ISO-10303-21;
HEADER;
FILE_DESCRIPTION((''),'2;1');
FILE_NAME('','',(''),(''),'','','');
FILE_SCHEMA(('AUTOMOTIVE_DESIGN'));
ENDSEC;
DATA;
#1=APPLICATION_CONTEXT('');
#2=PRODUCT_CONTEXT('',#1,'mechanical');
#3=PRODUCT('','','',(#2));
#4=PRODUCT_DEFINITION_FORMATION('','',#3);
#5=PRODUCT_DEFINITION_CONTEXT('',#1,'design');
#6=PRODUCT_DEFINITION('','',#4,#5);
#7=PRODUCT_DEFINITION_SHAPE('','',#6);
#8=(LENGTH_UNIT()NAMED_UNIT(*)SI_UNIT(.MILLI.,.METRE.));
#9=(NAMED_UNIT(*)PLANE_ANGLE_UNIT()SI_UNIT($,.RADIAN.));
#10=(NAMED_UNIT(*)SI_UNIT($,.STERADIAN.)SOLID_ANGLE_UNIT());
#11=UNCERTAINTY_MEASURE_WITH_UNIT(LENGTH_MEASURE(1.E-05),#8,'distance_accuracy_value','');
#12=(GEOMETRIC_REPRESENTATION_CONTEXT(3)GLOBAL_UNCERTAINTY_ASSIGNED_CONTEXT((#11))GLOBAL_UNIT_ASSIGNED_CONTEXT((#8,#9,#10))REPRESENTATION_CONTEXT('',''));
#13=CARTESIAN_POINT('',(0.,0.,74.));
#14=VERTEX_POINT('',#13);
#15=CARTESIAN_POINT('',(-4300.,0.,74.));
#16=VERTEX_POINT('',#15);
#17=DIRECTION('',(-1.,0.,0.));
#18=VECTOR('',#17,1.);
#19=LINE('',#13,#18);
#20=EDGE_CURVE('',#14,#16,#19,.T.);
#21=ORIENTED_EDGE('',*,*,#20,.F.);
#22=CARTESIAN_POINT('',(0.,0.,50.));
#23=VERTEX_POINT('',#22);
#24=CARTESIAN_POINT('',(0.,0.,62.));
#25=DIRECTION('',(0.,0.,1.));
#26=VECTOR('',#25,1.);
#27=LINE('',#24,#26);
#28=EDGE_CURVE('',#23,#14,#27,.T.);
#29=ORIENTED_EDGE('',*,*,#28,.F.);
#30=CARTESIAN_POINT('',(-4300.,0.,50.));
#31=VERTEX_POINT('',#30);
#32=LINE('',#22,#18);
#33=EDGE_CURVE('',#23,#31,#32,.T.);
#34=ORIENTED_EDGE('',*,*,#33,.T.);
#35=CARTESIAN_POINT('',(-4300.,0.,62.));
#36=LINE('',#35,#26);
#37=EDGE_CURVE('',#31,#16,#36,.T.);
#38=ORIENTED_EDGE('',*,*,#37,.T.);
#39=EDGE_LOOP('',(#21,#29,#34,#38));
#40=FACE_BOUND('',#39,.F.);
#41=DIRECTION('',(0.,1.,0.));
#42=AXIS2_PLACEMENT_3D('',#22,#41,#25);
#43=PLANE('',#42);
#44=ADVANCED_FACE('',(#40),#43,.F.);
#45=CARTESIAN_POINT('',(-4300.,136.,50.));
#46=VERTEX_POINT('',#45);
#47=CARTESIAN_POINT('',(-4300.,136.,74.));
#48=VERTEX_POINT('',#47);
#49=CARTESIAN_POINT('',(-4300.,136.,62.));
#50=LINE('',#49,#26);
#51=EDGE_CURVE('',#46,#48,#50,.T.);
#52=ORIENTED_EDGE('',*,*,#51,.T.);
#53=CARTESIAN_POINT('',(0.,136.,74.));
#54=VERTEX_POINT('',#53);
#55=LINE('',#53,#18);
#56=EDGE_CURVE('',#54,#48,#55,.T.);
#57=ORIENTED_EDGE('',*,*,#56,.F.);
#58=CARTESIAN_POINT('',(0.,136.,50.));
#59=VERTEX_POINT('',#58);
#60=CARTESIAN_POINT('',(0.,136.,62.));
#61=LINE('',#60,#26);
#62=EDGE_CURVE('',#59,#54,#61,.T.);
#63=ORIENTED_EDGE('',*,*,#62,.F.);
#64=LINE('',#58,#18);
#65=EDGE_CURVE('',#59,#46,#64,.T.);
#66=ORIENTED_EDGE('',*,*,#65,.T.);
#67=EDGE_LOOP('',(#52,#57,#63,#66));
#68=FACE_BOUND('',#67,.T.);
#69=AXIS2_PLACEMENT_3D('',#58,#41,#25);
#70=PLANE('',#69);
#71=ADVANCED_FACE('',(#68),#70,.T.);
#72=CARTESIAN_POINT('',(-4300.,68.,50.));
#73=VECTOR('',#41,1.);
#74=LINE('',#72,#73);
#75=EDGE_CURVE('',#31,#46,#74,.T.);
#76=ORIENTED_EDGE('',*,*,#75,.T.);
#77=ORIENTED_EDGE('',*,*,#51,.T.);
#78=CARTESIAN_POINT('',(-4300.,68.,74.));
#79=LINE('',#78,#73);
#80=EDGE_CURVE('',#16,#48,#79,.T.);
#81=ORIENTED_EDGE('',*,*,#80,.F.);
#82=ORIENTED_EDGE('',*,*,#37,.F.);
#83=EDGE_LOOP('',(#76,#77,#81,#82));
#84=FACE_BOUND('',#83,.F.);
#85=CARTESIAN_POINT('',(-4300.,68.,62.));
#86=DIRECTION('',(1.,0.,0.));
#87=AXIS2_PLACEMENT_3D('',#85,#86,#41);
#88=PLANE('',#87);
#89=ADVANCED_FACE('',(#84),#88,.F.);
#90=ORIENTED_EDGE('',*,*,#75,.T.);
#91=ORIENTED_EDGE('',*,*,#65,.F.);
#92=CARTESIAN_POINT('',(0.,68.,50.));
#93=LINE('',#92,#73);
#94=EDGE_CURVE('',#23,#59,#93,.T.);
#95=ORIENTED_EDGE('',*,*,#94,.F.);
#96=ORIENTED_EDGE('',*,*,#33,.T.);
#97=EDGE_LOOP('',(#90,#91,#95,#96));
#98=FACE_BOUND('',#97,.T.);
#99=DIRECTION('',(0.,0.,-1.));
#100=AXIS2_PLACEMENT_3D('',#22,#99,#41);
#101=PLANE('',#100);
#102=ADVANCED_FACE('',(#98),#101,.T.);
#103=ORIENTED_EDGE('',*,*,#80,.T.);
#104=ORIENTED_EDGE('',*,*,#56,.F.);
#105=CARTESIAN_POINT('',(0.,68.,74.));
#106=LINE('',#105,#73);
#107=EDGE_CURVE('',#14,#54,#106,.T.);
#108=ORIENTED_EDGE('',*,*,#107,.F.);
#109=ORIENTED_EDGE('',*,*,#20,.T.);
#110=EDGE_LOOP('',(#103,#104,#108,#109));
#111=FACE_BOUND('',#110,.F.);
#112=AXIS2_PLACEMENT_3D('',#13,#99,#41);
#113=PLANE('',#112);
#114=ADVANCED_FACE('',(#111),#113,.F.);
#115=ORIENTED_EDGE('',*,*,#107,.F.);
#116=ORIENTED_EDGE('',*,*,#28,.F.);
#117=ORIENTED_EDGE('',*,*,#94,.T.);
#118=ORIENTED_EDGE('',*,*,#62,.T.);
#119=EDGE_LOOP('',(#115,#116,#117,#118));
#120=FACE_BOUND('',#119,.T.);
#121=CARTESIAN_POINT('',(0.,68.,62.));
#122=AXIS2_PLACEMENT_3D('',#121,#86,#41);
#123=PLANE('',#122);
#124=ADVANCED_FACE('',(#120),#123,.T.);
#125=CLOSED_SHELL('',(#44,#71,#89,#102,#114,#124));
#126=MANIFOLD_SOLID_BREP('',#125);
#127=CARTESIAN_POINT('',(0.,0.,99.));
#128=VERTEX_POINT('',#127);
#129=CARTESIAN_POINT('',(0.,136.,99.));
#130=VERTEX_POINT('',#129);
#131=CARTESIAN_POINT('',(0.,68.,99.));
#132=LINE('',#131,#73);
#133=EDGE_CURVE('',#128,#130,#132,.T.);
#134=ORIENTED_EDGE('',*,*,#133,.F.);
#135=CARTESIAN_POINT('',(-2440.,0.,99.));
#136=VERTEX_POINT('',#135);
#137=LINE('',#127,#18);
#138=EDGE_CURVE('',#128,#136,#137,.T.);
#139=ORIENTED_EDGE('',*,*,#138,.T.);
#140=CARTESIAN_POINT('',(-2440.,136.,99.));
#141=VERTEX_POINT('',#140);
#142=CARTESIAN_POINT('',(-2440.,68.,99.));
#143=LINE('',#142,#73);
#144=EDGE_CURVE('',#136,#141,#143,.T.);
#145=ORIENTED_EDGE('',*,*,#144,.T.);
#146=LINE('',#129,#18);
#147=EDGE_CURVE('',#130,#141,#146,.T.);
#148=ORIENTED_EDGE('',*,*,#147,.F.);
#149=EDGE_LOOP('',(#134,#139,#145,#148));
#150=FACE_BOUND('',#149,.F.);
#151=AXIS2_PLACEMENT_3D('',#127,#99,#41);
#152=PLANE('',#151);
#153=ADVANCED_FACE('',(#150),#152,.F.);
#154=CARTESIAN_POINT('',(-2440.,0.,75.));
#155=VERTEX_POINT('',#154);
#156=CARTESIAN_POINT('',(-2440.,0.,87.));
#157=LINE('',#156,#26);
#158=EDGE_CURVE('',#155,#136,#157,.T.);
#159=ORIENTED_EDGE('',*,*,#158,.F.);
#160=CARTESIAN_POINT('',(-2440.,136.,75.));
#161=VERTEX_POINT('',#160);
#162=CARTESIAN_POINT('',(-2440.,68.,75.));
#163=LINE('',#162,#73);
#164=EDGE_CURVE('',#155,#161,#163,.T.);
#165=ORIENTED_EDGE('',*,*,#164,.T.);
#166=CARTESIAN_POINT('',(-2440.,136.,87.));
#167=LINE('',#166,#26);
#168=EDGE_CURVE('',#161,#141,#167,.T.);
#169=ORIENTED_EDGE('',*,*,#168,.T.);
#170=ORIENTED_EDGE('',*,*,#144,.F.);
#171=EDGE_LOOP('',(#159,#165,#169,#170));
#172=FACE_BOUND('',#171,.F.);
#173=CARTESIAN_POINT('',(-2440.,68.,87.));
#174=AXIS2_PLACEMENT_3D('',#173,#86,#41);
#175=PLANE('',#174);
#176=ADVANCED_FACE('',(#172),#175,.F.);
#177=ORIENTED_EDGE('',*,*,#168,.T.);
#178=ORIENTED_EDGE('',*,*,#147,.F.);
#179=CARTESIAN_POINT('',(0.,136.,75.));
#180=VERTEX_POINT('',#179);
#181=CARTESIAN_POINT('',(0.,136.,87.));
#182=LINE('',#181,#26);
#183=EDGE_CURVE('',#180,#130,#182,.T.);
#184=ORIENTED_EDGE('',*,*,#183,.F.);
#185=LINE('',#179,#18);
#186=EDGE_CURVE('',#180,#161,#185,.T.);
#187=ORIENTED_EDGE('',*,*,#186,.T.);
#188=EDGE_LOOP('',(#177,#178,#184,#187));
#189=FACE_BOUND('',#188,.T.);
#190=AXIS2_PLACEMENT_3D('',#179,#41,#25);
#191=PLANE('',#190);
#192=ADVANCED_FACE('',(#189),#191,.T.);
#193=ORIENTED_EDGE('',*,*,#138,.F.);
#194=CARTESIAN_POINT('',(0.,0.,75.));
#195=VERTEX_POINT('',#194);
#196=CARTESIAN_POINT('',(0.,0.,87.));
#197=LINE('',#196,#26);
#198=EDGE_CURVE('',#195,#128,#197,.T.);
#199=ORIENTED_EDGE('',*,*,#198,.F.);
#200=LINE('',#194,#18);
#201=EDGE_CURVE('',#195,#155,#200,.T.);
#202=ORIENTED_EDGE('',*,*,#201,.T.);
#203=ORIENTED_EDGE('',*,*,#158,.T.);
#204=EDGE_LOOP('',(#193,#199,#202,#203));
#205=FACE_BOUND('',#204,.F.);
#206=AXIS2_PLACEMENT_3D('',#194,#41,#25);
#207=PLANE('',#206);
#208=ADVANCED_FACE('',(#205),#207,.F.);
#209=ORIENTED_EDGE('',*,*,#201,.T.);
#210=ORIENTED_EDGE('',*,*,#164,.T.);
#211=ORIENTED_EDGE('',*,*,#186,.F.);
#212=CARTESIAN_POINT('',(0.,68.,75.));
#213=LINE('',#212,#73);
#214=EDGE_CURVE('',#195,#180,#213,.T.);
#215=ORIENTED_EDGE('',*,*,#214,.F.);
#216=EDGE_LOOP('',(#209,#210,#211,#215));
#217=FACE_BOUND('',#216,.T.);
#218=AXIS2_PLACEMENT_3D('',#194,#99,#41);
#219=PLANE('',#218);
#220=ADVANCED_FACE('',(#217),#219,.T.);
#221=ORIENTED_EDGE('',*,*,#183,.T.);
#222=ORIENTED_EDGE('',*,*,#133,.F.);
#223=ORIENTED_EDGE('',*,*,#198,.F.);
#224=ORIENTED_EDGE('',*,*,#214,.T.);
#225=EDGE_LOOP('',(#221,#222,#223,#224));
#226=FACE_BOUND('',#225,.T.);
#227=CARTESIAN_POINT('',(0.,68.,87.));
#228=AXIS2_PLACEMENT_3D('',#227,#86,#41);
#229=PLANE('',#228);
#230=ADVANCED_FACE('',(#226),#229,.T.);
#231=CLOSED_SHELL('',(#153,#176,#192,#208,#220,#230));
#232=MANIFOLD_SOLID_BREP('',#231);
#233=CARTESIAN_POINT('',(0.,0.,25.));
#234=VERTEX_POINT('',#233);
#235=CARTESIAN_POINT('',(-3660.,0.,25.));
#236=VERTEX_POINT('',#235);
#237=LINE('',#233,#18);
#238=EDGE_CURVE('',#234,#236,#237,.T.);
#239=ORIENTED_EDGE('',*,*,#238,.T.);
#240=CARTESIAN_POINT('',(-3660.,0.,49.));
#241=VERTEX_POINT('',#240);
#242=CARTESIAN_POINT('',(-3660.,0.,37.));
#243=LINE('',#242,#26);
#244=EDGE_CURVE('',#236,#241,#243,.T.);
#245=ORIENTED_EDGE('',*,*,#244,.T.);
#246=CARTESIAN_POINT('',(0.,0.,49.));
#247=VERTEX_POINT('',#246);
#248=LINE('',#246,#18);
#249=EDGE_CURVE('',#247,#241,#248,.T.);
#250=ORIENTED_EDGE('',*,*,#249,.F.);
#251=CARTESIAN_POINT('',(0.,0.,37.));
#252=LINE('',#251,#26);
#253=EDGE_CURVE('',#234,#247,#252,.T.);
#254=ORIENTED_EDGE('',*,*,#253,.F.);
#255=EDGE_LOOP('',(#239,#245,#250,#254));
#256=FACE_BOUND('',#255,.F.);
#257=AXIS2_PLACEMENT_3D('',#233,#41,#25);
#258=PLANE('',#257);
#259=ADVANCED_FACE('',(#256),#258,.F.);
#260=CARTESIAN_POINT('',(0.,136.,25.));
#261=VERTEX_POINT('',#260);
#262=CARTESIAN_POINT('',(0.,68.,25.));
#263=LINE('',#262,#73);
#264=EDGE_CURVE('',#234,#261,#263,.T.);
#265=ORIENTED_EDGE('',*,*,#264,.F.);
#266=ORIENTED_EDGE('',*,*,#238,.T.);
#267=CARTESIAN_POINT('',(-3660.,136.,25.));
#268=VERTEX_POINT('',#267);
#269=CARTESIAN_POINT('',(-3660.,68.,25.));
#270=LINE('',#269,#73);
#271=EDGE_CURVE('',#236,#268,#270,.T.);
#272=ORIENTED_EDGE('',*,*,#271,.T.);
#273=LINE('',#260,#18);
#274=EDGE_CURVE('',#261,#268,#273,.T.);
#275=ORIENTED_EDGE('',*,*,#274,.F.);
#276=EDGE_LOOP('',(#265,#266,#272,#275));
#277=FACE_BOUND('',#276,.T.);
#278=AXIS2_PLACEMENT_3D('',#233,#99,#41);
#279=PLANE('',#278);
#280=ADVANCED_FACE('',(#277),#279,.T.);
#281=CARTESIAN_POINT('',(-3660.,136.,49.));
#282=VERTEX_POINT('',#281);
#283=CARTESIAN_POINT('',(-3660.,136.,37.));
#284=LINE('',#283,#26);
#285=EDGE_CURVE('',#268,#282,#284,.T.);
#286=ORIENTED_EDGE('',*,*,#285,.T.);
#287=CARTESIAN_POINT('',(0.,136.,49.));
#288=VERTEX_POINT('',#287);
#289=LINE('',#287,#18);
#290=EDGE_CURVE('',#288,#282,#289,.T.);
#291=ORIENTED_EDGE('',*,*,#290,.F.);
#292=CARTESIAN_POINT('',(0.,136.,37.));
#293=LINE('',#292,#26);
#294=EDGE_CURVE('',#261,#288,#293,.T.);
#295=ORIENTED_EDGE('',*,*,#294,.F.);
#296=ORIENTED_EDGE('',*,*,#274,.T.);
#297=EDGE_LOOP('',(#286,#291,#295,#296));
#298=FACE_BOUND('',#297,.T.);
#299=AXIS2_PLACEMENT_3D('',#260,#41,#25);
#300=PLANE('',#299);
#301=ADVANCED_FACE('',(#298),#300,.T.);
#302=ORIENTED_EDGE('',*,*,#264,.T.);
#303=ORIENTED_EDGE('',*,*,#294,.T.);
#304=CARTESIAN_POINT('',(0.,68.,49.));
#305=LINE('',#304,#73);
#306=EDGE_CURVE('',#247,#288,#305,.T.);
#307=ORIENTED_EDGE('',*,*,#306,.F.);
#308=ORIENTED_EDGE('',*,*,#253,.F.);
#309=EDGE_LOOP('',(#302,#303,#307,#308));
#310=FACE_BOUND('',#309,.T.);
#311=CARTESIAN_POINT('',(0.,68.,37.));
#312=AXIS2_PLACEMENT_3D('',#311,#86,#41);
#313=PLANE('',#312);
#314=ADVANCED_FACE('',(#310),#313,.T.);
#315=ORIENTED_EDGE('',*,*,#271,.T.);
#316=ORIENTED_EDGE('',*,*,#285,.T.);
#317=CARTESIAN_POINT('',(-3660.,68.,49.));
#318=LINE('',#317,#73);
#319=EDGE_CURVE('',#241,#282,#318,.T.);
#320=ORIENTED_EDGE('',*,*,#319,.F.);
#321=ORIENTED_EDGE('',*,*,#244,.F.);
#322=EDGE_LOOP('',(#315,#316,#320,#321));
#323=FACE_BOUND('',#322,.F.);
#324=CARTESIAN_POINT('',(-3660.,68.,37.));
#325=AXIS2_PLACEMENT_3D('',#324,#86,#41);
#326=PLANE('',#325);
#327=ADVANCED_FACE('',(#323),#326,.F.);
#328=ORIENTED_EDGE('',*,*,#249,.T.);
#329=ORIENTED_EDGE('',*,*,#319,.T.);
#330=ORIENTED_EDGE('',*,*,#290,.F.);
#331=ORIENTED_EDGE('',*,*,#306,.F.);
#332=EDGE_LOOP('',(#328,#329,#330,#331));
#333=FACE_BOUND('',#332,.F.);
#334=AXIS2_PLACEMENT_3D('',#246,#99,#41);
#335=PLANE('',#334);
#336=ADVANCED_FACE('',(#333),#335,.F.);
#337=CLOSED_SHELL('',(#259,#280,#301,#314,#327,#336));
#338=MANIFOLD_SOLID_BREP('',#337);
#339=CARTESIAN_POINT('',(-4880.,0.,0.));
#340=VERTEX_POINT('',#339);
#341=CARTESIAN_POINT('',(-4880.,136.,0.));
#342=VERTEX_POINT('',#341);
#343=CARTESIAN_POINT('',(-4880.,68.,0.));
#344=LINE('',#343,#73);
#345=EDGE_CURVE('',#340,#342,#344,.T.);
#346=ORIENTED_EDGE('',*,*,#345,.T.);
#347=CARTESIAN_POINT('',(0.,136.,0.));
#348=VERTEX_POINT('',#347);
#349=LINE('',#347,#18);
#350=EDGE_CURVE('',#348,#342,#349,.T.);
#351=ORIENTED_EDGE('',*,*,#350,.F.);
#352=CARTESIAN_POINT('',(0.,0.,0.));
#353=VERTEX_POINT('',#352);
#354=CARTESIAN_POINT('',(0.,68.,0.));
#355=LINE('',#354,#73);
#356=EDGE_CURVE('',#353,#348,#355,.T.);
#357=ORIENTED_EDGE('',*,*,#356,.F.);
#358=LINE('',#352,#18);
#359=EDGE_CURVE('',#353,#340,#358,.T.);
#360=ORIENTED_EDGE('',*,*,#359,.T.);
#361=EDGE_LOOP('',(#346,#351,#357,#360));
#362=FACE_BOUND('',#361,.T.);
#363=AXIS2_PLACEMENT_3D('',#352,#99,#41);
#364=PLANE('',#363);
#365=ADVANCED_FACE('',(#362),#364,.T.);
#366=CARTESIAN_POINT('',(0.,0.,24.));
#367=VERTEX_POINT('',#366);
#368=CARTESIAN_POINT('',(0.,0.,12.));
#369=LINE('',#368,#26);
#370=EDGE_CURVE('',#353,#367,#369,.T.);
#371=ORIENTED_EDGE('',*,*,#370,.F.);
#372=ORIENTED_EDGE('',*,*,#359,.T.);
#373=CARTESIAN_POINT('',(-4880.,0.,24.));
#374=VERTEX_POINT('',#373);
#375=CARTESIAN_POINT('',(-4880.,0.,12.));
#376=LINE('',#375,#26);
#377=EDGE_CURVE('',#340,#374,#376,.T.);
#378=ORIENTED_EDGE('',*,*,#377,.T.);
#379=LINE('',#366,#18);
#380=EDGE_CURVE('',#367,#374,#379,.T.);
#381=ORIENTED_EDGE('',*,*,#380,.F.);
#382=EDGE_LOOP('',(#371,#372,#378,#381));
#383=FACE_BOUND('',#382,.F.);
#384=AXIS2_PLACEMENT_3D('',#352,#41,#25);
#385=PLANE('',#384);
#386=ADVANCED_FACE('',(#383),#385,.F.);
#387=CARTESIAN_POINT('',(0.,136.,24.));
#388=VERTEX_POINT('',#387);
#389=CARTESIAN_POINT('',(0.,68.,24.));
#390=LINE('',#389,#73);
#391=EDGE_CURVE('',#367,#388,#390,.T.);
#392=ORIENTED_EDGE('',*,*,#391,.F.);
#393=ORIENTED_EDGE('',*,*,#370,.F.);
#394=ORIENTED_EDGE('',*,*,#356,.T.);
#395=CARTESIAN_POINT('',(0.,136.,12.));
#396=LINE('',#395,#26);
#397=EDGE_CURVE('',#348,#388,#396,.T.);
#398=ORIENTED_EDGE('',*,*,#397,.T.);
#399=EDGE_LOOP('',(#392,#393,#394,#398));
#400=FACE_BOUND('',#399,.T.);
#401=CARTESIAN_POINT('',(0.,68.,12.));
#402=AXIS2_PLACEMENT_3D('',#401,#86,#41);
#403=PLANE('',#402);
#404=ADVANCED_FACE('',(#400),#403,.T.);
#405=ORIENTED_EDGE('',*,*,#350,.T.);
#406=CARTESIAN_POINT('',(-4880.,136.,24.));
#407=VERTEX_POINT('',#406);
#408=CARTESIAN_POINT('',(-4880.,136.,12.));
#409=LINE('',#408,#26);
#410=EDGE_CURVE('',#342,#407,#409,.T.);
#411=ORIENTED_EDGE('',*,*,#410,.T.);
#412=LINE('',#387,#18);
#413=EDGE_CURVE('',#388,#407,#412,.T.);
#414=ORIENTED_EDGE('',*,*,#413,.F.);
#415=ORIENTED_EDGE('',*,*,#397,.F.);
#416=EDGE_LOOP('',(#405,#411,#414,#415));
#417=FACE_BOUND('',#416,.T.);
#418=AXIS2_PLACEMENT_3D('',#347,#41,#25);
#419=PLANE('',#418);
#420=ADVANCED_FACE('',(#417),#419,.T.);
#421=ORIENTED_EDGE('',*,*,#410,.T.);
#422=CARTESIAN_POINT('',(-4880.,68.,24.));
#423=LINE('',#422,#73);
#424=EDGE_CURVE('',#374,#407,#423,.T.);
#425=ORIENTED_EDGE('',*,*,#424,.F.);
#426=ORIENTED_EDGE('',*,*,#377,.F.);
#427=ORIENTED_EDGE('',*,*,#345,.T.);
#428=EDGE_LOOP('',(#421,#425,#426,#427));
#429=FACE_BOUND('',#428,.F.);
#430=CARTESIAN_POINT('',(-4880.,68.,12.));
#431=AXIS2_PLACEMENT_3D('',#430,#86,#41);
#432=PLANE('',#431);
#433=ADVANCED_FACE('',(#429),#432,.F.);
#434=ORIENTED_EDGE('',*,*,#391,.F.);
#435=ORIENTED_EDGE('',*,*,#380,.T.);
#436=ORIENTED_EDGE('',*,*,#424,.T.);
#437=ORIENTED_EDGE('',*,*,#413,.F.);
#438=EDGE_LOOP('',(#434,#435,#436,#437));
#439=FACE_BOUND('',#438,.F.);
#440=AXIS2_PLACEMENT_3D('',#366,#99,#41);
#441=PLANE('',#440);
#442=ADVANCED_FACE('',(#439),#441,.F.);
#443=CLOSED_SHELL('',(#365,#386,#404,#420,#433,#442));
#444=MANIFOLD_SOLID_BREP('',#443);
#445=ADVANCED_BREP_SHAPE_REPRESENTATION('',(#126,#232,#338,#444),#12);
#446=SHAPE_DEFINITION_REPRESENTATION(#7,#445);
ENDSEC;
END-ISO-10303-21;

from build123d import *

# Parameters (mm, degrees)
F0_W     = 136
F0_H     = 24
F1_DEPTH = 4880
F2_DEPTH = 3660
F3_DEPTH = 4300
F4_DEPTH = 2440


with BuildPart() as f1:
    # F0 (on Right) → F1 (new body)
    with BuildSketch(Plane.YZ):
        with Locations((68, 12)):
            Rectangle(F0_W, F0_H)
    extrude(amount=-F1_DEPTH)


with BuildPart() as f2:
    # F0 (on Right) → F2 (new body)
    with BuildSketch(Plane.YZ):
        with Locations((68, 37)):
            Rectangle(F0_W, F0_H)
    extrude(amount=-F2_DEPTH)


with BuildPart() as f3:
    # F0 (on Right) → F3 (new body)
    with BuildSketch(Plane.YZ):
        with Locations((68, 62)):
            Rectangle(F0_W, F0_H)
    extrude(amount=-F3_DEPTH)


with BuildPart() as f4:
    # F0 (on Right) → F4 (new body)
    with BuildSketch(Plane.YZ):
        with Locations((68, 87)):
            Rectangle(F0_W, F0_H)
    extrude(amount=-F4_DEPTH)


solid = Compound([f1.part, f2.part, f3.part, f4.part])
